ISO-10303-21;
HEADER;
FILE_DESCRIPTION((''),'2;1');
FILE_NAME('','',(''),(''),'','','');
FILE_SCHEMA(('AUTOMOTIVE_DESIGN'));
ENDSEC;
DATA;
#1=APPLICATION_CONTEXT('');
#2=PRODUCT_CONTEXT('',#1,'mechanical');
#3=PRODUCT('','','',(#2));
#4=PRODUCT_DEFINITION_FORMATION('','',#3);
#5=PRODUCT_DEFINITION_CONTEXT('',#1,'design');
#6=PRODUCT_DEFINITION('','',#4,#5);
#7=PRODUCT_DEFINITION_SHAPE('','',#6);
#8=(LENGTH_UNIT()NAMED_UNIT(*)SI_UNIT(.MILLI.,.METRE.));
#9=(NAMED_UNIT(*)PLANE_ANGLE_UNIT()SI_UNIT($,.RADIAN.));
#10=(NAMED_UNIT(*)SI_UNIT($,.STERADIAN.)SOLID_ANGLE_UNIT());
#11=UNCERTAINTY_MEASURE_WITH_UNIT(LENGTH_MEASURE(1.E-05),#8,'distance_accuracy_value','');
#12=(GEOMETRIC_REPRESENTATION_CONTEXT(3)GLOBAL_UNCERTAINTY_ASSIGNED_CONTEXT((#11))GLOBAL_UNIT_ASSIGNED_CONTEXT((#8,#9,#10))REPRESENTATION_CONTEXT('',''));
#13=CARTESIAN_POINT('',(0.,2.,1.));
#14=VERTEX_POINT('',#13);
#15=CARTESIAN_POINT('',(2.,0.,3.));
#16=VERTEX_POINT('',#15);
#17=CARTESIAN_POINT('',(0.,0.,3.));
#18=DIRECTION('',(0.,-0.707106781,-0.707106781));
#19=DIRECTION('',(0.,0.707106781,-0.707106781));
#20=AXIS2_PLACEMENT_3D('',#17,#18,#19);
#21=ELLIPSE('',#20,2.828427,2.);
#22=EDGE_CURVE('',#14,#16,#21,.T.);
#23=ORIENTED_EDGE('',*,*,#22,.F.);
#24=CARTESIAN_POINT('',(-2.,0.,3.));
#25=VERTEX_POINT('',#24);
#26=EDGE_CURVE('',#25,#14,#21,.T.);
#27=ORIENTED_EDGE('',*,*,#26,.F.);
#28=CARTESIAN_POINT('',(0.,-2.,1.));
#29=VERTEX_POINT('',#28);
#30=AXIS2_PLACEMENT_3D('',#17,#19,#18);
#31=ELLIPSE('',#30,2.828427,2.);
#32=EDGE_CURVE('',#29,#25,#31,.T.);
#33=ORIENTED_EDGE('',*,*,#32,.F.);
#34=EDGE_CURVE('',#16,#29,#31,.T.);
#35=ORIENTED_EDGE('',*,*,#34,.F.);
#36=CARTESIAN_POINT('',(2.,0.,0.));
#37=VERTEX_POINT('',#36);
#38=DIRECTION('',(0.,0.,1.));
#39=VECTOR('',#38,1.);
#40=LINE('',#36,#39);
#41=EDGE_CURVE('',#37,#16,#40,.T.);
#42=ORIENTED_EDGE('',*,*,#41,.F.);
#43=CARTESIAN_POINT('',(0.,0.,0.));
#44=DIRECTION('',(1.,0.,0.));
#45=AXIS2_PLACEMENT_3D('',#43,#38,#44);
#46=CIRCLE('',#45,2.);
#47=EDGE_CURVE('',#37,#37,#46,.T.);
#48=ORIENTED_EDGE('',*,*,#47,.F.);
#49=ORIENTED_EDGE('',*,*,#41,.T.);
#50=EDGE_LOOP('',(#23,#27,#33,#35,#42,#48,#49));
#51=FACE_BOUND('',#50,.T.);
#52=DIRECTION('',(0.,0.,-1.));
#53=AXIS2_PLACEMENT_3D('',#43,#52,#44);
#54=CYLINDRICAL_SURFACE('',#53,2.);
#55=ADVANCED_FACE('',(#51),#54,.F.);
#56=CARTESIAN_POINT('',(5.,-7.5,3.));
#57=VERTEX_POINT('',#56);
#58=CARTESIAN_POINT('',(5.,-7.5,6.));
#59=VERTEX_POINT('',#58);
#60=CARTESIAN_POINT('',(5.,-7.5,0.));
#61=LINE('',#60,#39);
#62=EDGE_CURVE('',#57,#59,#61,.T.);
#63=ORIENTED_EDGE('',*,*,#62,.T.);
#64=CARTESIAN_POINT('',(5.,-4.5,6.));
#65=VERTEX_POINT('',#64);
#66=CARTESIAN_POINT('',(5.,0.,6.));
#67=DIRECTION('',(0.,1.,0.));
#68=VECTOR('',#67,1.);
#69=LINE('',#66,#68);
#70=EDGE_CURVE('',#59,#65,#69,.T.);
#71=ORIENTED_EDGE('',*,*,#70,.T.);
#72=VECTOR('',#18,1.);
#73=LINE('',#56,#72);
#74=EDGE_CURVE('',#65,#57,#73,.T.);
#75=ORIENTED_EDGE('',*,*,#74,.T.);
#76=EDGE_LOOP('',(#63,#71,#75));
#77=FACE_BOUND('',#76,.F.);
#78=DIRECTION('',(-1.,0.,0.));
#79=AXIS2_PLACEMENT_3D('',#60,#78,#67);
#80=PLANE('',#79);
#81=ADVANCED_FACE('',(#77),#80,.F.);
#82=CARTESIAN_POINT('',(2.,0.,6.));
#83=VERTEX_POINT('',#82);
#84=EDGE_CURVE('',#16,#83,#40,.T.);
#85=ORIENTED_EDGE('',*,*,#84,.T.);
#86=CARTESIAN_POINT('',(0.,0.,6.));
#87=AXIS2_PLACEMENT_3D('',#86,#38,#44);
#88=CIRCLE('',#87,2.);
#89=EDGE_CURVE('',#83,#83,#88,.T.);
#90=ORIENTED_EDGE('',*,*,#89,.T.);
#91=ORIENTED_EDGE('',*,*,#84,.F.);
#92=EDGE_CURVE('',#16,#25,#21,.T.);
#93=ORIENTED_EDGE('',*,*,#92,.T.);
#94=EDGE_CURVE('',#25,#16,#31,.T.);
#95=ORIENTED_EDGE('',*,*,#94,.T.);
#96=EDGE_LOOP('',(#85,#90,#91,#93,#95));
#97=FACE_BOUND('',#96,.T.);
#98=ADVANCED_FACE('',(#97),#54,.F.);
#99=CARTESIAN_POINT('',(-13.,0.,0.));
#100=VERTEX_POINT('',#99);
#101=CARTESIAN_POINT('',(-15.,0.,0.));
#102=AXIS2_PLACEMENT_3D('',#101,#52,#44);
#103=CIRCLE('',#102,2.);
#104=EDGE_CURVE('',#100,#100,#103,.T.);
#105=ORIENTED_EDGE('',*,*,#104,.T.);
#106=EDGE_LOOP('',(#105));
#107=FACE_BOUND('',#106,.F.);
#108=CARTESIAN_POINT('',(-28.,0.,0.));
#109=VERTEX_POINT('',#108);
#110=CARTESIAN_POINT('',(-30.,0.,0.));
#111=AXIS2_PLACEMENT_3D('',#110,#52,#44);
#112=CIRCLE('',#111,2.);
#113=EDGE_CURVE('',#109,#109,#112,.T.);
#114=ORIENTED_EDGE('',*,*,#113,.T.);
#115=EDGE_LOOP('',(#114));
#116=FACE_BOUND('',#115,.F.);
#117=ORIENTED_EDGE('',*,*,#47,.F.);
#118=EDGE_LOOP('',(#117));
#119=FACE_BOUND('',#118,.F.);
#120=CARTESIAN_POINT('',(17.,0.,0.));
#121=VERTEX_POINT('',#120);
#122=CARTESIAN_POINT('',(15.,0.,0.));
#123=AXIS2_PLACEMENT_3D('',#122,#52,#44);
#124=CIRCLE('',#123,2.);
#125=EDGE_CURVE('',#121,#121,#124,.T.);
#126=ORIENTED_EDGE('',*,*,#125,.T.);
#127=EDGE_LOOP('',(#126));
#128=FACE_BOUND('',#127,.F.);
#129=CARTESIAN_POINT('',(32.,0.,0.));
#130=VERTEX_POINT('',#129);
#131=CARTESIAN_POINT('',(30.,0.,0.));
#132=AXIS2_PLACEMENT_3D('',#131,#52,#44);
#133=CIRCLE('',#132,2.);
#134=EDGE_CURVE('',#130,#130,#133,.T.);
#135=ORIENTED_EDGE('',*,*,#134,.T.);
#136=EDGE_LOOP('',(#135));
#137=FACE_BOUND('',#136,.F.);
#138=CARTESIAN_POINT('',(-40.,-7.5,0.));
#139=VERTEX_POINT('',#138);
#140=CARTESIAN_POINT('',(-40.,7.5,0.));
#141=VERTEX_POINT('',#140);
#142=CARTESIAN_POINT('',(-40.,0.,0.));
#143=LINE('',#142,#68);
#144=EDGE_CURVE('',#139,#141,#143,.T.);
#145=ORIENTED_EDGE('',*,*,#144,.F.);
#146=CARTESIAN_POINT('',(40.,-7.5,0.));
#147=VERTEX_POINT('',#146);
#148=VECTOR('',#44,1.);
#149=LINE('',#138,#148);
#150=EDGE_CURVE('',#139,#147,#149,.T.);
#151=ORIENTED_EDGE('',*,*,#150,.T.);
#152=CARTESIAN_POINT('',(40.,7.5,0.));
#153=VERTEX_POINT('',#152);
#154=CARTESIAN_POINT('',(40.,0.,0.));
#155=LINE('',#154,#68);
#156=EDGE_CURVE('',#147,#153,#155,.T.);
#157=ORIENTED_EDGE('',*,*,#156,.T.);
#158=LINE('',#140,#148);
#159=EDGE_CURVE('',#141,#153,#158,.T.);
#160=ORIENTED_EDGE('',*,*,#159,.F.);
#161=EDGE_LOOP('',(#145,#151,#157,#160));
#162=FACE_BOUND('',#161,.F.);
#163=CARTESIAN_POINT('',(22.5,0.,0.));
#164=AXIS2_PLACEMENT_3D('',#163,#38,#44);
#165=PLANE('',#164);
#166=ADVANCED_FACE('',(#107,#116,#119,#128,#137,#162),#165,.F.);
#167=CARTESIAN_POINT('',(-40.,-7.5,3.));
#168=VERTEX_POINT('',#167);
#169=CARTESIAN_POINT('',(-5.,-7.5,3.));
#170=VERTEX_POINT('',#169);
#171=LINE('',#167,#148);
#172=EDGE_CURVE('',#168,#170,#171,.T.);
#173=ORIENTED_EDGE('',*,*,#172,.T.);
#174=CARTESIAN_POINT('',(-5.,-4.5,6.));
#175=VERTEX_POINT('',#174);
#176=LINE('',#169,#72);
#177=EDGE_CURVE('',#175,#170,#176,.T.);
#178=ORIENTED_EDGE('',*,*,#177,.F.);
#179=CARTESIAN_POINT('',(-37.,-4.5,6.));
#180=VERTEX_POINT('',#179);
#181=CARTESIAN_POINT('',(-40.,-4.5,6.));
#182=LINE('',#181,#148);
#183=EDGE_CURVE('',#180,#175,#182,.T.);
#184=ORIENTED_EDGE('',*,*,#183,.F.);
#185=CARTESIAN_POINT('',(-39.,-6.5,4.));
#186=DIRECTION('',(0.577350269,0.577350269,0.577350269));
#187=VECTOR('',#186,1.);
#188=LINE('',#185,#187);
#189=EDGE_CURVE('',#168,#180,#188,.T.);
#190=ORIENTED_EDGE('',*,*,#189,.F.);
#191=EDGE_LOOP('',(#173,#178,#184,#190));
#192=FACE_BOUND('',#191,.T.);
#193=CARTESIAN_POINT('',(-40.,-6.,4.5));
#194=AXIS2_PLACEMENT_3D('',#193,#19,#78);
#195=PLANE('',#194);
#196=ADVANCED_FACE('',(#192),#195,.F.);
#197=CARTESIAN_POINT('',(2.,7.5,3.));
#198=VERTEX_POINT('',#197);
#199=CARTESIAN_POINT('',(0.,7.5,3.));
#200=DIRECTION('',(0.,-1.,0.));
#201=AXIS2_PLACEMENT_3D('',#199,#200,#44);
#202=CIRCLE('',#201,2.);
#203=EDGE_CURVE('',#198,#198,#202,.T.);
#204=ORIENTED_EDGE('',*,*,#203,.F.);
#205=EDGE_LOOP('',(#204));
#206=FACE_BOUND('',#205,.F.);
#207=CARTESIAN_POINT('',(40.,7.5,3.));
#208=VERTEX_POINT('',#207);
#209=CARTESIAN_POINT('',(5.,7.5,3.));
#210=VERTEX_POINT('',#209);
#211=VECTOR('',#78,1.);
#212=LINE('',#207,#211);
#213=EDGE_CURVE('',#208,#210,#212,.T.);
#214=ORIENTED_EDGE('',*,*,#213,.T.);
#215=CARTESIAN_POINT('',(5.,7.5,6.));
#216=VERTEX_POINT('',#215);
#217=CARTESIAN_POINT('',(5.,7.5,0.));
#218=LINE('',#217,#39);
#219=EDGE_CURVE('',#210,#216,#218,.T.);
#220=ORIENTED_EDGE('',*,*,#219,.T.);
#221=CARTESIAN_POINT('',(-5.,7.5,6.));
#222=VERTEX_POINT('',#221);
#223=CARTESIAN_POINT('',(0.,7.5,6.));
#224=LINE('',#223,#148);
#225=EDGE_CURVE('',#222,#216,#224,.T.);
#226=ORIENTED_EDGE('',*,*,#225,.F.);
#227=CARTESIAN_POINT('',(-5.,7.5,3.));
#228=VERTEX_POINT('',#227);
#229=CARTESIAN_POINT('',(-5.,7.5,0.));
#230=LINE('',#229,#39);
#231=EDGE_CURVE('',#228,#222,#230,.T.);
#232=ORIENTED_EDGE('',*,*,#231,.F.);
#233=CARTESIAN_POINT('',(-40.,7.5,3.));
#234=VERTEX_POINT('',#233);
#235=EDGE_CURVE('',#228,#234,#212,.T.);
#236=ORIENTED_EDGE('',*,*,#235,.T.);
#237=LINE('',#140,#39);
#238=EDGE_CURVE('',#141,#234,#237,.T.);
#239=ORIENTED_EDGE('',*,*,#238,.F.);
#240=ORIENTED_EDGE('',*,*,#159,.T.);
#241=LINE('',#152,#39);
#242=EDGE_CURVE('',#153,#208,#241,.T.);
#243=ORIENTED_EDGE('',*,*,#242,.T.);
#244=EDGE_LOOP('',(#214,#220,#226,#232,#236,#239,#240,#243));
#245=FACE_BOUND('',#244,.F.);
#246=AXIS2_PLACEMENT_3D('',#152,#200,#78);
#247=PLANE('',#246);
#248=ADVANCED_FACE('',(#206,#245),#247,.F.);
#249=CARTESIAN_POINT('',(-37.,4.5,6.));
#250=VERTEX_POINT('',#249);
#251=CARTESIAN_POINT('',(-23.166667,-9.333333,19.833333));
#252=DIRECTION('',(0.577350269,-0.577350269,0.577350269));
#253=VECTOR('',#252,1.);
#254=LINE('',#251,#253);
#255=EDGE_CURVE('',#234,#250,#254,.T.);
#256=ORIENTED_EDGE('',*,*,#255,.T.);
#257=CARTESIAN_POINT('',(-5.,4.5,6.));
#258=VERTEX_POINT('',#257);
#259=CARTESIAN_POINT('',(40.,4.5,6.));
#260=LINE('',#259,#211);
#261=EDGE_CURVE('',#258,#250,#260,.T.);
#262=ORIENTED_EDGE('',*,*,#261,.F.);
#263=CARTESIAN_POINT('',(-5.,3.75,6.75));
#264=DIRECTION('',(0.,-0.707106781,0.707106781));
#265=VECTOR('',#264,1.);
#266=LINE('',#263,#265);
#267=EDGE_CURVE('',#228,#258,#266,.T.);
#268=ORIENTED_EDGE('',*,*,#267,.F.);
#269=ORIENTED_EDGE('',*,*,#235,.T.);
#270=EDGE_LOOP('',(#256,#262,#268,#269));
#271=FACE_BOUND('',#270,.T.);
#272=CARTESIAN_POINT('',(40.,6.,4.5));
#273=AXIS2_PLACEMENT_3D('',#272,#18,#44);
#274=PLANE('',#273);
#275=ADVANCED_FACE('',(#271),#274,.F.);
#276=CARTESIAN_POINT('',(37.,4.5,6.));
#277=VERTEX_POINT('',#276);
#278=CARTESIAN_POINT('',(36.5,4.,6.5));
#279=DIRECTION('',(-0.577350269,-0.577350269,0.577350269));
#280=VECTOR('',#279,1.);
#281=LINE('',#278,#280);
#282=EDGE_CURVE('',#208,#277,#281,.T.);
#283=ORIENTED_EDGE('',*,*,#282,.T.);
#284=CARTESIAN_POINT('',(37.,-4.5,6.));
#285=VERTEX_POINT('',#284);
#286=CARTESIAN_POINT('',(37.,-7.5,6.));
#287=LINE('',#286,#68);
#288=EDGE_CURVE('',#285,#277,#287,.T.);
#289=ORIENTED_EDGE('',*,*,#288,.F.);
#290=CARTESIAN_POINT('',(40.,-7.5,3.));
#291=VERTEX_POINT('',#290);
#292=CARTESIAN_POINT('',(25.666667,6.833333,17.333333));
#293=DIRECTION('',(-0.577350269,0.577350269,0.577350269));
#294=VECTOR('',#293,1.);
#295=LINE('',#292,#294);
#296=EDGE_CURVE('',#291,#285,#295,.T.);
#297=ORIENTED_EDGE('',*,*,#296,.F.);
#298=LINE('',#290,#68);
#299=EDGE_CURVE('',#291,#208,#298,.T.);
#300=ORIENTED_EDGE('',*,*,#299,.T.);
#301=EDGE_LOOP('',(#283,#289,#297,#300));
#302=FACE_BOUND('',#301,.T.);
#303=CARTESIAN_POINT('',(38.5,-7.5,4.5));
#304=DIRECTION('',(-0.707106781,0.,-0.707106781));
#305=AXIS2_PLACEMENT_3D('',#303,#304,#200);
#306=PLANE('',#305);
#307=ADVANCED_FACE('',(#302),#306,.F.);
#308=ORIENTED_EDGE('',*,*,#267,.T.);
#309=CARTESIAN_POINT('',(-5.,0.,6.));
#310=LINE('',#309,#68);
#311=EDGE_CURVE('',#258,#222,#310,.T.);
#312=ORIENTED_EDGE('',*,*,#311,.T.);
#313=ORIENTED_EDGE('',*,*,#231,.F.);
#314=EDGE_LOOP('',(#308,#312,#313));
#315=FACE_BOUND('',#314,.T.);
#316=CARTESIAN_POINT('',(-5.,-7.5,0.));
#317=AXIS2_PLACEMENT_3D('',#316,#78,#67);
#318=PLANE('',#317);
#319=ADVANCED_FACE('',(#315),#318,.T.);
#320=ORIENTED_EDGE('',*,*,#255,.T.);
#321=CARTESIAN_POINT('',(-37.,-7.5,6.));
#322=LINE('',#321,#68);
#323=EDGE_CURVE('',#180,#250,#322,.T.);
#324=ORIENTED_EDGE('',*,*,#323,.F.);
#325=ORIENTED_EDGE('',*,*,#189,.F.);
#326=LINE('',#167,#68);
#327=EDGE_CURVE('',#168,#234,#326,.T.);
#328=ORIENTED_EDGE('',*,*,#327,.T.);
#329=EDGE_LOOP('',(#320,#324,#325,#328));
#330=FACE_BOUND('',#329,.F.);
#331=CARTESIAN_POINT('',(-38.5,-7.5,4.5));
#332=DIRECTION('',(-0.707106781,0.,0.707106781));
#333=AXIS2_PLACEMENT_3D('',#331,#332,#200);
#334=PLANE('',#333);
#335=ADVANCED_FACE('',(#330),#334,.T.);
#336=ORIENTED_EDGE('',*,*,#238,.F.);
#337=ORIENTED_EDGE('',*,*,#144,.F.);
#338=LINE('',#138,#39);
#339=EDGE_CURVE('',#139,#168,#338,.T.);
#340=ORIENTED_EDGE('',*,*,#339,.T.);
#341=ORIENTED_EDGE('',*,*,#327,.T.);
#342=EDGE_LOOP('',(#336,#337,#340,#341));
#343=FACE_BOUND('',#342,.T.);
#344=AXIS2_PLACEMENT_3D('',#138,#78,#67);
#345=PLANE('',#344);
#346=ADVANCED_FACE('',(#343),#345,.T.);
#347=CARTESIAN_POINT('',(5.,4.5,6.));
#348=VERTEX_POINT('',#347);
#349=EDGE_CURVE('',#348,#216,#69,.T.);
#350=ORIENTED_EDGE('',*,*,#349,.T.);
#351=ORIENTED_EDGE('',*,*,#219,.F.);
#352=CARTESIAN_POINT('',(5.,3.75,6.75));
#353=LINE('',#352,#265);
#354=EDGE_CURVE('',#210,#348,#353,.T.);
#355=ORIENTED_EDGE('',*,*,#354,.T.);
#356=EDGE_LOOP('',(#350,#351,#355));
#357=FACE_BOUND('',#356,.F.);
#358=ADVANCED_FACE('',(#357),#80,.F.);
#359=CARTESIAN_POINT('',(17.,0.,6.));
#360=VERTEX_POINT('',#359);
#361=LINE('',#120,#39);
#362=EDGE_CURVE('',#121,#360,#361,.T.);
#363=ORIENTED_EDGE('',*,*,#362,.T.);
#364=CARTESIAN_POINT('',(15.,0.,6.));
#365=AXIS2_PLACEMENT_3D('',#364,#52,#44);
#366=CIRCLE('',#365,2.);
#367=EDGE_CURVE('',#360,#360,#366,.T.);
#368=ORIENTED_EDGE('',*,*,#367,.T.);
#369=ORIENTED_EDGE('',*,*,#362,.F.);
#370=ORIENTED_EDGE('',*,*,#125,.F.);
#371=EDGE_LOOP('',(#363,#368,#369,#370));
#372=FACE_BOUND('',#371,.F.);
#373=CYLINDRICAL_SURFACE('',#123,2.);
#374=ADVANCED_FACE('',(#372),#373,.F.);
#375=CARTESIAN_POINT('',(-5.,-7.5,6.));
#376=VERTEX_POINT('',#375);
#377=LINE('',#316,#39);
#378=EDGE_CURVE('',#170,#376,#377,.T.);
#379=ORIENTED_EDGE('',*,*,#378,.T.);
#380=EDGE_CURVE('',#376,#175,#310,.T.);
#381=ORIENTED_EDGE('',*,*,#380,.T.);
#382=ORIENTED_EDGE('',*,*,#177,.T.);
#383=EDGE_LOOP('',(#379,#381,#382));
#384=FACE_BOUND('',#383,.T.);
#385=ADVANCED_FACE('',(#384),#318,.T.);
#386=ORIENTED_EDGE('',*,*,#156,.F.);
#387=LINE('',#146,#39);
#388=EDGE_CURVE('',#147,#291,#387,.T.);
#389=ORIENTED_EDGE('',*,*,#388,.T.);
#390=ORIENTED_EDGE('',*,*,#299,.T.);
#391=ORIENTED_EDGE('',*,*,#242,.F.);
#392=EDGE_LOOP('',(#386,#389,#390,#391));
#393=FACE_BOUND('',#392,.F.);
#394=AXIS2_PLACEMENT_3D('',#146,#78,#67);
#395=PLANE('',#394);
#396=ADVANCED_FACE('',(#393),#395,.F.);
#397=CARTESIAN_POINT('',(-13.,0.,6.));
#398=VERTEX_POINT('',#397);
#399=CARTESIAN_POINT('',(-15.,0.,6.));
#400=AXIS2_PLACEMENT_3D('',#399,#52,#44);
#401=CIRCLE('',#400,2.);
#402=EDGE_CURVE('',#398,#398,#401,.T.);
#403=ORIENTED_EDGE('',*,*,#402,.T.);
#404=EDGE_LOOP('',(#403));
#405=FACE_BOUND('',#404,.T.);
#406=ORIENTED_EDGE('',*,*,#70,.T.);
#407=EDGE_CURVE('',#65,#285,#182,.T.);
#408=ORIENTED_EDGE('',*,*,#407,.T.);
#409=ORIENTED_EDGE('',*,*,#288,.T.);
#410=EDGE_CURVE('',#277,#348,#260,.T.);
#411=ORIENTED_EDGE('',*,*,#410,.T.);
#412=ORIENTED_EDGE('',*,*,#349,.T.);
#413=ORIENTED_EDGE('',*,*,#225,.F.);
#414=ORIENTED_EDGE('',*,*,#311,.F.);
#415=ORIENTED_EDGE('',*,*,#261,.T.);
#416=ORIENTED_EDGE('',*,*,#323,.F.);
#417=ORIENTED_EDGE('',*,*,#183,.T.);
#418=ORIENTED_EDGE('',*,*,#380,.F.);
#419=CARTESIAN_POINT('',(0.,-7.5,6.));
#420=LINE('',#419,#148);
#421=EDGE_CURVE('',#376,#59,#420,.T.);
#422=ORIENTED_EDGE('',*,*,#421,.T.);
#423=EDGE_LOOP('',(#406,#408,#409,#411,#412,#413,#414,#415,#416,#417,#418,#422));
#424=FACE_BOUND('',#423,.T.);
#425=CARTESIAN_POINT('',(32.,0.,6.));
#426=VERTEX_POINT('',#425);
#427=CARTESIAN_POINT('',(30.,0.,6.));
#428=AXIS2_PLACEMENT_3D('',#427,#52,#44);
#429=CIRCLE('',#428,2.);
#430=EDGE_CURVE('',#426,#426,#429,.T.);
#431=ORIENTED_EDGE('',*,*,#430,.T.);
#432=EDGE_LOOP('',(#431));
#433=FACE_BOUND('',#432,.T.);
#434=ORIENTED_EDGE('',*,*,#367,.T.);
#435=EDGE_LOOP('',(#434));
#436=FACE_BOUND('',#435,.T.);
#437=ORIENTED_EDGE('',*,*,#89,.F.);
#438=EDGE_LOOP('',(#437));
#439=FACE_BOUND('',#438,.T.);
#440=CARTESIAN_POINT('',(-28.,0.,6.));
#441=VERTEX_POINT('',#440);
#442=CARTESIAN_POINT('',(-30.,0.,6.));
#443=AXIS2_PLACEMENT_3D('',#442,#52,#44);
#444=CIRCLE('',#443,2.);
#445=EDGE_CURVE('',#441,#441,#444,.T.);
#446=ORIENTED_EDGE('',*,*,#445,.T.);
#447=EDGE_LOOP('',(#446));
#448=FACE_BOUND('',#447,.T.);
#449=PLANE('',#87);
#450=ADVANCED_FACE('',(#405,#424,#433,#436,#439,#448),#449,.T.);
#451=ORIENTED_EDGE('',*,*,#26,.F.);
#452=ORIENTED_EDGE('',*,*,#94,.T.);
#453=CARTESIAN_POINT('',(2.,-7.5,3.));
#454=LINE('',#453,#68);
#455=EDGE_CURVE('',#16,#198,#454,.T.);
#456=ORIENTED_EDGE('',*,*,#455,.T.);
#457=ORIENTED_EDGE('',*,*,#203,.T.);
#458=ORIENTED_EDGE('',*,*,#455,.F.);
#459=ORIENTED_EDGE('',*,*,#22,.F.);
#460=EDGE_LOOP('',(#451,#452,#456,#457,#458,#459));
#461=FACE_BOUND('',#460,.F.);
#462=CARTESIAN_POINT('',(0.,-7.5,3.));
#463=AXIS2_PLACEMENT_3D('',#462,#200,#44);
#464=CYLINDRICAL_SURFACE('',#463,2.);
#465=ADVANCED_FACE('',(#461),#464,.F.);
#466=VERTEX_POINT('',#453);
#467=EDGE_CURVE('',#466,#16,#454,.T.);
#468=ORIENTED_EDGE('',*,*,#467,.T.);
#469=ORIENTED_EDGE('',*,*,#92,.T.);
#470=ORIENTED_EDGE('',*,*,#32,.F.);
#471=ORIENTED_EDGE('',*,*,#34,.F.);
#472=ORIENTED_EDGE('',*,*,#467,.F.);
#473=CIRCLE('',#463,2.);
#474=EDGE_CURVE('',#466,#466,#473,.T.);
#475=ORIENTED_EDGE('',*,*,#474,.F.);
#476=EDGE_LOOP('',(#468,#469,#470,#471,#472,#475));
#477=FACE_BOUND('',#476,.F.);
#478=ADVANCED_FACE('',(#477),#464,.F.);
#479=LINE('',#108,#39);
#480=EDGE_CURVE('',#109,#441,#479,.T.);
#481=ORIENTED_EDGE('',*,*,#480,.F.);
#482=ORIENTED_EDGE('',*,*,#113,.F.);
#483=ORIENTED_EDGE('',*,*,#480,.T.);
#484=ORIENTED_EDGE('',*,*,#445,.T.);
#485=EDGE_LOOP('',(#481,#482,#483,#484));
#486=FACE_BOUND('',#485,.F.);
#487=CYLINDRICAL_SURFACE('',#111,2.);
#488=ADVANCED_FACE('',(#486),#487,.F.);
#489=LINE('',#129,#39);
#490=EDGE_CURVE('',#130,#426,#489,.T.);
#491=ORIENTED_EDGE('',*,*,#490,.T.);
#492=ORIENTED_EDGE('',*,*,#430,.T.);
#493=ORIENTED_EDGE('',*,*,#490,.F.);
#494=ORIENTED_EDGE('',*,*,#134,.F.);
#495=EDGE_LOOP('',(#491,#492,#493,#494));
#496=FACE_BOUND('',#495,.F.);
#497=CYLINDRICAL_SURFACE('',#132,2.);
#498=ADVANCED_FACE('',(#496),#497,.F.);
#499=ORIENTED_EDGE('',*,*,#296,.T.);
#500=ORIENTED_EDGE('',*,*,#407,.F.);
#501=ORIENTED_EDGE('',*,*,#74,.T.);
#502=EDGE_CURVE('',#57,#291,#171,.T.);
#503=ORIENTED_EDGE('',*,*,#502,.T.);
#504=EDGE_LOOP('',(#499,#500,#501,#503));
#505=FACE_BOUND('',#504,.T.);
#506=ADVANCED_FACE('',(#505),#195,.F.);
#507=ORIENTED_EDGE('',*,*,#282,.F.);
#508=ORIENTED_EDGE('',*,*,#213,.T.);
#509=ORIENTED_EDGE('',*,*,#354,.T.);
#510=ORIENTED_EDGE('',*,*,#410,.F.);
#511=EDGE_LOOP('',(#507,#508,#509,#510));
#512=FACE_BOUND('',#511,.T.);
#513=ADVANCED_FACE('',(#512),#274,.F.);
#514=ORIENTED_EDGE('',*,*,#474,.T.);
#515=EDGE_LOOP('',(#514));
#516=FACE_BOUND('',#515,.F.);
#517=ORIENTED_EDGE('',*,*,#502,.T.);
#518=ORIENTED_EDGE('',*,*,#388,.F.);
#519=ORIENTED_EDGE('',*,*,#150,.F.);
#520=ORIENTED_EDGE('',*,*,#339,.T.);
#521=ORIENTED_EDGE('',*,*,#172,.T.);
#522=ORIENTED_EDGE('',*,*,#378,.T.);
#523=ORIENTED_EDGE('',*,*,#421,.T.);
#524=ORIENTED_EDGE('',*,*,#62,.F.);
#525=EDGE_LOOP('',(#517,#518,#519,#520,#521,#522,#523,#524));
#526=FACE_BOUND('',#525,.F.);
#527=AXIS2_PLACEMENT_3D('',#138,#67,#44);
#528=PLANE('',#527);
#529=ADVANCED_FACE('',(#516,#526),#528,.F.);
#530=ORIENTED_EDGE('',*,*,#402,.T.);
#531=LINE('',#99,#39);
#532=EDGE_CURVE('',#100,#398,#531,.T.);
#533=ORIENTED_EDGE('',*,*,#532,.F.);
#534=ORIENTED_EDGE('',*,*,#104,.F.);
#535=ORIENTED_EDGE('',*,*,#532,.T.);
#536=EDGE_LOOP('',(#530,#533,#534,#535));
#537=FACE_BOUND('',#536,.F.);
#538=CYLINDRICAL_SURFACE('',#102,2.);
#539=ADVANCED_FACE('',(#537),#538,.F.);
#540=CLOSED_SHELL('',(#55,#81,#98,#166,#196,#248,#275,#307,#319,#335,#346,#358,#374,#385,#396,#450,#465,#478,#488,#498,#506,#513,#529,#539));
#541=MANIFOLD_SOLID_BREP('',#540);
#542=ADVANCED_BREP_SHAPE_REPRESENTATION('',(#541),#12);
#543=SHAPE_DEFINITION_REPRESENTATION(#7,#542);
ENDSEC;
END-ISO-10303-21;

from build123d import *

# Parameters (mm, degrees)
F0_W     = 35
F0_H     = 15
F0_W_2   = 10
F0_R     = 2
F1_DEPTH = 6
F2_SIZE  = 3
F3_R     = 2
F4_DEPTH = 12
F5_DEPTH = 6
F6_R     = 2
F7_DEPTH = 15.001


with BuildPart() as f1:
    # F0 (on Top) → F1 (new body)
    with BuildSketch(Plane.XY):
        with Locations((22.5, 0)):
            Rectangle(F0_W, F0_H)
        Rectangle(F0_W_2, F0_H)
        Circle(F0_R, mode=Mode.SUBTRACT)
        with Locations((-22.5, 0)):
            Rectangle(F0_W, F0_H)
    extrude(amount=F1_DEPTH)

    # F2
    f2_edges = [f1.edges().sort_by_distance(p)[0] for p in [
        (0, -7.5, 6),
        (-40, 0, 6),
        (40, 0, 6),
        (0, 7.5, 6),
    ]]
    chamfer(f2_edges, length=F2_SIZE)

    # F3 (on face) → F4 (cut)
    with BuildSketch(Plane(origin=(0, 0, 0), x_dir=(1, 0, 0), z_dir=(0, 0, -1))):
        with Locations((-30, 0)):
            Circle(F3_R)
        with Locations((-15, 0)):
            Circle(F3_R)
        with Locations((15, 0)):
            Circle(F3_R)
        with Locations((30, 0)):
            Circle(F3_R)
    extrude(amount=-F4_DEPTH, mode=Mode.SUBTRACT)

    # F0 (on Top) → F5 (join)
    with BuildSketch(Plane.XY):
        Rectangle(F0_W_2, F0_H)
        Circle(F0_R, mode=Mode.SUBTRACT)
    extrude(amount=F5_DEPTH)

    # F6 (on face) → F7 (cut, through all)
    with BuildSketch(Plane.XZ.offset(7.5)):
        with Locations((0, 3)):
            Circle(F6_R)
    extrude(amount=-F7_DEPTH, mode=Mode.SUBTRACT)


solid = f1.part
